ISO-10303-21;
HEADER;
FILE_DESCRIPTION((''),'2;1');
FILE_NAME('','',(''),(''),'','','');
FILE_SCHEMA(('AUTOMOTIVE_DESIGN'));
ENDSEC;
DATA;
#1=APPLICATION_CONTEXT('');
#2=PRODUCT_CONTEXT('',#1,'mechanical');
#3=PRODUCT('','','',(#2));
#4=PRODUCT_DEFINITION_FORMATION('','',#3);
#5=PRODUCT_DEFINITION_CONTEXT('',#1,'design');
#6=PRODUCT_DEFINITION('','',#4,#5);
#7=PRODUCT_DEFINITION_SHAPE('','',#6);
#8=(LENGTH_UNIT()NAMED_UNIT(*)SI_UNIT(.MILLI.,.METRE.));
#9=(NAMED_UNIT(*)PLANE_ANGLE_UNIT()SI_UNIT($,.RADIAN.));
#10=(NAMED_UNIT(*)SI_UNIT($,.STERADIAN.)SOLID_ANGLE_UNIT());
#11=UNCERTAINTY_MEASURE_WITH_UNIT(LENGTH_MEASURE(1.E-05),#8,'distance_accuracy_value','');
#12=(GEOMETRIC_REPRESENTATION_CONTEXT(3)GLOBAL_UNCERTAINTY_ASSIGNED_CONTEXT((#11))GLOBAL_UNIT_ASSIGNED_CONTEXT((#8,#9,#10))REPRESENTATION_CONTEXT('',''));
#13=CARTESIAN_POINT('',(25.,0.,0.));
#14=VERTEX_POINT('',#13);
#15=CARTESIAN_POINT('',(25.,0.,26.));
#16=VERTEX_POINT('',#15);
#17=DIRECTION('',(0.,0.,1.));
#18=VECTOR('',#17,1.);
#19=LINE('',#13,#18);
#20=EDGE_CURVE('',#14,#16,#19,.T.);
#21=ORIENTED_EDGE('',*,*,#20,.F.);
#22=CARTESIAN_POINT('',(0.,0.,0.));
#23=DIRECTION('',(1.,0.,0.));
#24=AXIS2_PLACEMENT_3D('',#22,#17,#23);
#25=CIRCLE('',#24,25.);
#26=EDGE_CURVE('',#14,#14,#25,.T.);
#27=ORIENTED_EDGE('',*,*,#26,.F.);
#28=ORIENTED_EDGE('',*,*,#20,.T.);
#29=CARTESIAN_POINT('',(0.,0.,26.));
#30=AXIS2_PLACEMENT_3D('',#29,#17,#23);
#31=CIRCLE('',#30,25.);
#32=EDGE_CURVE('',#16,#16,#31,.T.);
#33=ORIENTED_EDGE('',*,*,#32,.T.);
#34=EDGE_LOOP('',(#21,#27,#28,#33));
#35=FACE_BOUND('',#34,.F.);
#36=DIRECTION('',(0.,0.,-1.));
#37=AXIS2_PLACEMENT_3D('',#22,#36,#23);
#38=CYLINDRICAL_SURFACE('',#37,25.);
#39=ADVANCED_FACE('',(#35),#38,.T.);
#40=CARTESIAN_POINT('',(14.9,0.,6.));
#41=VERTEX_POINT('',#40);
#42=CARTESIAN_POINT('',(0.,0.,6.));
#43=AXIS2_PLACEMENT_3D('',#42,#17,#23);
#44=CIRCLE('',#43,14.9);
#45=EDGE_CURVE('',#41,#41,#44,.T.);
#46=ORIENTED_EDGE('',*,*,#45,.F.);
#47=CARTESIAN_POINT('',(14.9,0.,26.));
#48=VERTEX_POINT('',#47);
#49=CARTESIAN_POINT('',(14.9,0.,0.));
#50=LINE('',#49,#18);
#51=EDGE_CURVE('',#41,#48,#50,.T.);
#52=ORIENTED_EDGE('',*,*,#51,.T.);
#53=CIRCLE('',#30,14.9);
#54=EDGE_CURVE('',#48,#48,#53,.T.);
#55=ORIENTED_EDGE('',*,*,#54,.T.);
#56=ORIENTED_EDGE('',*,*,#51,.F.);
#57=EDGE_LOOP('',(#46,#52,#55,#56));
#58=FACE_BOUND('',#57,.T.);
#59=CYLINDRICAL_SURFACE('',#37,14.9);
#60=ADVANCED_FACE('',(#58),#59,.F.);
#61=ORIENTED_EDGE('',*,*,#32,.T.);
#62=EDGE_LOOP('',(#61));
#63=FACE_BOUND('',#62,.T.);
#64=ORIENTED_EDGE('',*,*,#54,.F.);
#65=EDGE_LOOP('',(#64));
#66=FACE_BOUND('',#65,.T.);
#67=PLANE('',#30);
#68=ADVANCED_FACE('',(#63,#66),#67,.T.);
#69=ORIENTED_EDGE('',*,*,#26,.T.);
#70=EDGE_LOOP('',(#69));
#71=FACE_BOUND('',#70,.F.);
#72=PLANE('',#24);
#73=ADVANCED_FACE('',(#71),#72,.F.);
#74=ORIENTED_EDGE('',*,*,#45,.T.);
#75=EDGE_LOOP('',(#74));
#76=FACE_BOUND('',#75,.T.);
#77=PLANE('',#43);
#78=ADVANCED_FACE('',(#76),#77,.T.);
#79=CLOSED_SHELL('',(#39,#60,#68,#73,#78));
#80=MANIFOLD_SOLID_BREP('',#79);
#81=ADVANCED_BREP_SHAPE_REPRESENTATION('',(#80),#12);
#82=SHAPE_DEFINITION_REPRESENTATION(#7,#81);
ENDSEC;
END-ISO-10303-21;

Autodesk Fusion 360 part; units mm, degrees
sketch "Sketch1" plane through (0, 0, 0) normal (0, 0, 1) x (1, 0, 0)
  circle A0 centre (0, 0) radius 14.9
  circle A1 centre (0, 0) radius 25
  dimension "d32" = 50
  dimension "d44" = 29.8
extrude "Extrude4" add sketch "Sketch1" along normal blind 6 contours A0
extrude "Extrude5" add sketch "Sketch1" along normal blind 26
